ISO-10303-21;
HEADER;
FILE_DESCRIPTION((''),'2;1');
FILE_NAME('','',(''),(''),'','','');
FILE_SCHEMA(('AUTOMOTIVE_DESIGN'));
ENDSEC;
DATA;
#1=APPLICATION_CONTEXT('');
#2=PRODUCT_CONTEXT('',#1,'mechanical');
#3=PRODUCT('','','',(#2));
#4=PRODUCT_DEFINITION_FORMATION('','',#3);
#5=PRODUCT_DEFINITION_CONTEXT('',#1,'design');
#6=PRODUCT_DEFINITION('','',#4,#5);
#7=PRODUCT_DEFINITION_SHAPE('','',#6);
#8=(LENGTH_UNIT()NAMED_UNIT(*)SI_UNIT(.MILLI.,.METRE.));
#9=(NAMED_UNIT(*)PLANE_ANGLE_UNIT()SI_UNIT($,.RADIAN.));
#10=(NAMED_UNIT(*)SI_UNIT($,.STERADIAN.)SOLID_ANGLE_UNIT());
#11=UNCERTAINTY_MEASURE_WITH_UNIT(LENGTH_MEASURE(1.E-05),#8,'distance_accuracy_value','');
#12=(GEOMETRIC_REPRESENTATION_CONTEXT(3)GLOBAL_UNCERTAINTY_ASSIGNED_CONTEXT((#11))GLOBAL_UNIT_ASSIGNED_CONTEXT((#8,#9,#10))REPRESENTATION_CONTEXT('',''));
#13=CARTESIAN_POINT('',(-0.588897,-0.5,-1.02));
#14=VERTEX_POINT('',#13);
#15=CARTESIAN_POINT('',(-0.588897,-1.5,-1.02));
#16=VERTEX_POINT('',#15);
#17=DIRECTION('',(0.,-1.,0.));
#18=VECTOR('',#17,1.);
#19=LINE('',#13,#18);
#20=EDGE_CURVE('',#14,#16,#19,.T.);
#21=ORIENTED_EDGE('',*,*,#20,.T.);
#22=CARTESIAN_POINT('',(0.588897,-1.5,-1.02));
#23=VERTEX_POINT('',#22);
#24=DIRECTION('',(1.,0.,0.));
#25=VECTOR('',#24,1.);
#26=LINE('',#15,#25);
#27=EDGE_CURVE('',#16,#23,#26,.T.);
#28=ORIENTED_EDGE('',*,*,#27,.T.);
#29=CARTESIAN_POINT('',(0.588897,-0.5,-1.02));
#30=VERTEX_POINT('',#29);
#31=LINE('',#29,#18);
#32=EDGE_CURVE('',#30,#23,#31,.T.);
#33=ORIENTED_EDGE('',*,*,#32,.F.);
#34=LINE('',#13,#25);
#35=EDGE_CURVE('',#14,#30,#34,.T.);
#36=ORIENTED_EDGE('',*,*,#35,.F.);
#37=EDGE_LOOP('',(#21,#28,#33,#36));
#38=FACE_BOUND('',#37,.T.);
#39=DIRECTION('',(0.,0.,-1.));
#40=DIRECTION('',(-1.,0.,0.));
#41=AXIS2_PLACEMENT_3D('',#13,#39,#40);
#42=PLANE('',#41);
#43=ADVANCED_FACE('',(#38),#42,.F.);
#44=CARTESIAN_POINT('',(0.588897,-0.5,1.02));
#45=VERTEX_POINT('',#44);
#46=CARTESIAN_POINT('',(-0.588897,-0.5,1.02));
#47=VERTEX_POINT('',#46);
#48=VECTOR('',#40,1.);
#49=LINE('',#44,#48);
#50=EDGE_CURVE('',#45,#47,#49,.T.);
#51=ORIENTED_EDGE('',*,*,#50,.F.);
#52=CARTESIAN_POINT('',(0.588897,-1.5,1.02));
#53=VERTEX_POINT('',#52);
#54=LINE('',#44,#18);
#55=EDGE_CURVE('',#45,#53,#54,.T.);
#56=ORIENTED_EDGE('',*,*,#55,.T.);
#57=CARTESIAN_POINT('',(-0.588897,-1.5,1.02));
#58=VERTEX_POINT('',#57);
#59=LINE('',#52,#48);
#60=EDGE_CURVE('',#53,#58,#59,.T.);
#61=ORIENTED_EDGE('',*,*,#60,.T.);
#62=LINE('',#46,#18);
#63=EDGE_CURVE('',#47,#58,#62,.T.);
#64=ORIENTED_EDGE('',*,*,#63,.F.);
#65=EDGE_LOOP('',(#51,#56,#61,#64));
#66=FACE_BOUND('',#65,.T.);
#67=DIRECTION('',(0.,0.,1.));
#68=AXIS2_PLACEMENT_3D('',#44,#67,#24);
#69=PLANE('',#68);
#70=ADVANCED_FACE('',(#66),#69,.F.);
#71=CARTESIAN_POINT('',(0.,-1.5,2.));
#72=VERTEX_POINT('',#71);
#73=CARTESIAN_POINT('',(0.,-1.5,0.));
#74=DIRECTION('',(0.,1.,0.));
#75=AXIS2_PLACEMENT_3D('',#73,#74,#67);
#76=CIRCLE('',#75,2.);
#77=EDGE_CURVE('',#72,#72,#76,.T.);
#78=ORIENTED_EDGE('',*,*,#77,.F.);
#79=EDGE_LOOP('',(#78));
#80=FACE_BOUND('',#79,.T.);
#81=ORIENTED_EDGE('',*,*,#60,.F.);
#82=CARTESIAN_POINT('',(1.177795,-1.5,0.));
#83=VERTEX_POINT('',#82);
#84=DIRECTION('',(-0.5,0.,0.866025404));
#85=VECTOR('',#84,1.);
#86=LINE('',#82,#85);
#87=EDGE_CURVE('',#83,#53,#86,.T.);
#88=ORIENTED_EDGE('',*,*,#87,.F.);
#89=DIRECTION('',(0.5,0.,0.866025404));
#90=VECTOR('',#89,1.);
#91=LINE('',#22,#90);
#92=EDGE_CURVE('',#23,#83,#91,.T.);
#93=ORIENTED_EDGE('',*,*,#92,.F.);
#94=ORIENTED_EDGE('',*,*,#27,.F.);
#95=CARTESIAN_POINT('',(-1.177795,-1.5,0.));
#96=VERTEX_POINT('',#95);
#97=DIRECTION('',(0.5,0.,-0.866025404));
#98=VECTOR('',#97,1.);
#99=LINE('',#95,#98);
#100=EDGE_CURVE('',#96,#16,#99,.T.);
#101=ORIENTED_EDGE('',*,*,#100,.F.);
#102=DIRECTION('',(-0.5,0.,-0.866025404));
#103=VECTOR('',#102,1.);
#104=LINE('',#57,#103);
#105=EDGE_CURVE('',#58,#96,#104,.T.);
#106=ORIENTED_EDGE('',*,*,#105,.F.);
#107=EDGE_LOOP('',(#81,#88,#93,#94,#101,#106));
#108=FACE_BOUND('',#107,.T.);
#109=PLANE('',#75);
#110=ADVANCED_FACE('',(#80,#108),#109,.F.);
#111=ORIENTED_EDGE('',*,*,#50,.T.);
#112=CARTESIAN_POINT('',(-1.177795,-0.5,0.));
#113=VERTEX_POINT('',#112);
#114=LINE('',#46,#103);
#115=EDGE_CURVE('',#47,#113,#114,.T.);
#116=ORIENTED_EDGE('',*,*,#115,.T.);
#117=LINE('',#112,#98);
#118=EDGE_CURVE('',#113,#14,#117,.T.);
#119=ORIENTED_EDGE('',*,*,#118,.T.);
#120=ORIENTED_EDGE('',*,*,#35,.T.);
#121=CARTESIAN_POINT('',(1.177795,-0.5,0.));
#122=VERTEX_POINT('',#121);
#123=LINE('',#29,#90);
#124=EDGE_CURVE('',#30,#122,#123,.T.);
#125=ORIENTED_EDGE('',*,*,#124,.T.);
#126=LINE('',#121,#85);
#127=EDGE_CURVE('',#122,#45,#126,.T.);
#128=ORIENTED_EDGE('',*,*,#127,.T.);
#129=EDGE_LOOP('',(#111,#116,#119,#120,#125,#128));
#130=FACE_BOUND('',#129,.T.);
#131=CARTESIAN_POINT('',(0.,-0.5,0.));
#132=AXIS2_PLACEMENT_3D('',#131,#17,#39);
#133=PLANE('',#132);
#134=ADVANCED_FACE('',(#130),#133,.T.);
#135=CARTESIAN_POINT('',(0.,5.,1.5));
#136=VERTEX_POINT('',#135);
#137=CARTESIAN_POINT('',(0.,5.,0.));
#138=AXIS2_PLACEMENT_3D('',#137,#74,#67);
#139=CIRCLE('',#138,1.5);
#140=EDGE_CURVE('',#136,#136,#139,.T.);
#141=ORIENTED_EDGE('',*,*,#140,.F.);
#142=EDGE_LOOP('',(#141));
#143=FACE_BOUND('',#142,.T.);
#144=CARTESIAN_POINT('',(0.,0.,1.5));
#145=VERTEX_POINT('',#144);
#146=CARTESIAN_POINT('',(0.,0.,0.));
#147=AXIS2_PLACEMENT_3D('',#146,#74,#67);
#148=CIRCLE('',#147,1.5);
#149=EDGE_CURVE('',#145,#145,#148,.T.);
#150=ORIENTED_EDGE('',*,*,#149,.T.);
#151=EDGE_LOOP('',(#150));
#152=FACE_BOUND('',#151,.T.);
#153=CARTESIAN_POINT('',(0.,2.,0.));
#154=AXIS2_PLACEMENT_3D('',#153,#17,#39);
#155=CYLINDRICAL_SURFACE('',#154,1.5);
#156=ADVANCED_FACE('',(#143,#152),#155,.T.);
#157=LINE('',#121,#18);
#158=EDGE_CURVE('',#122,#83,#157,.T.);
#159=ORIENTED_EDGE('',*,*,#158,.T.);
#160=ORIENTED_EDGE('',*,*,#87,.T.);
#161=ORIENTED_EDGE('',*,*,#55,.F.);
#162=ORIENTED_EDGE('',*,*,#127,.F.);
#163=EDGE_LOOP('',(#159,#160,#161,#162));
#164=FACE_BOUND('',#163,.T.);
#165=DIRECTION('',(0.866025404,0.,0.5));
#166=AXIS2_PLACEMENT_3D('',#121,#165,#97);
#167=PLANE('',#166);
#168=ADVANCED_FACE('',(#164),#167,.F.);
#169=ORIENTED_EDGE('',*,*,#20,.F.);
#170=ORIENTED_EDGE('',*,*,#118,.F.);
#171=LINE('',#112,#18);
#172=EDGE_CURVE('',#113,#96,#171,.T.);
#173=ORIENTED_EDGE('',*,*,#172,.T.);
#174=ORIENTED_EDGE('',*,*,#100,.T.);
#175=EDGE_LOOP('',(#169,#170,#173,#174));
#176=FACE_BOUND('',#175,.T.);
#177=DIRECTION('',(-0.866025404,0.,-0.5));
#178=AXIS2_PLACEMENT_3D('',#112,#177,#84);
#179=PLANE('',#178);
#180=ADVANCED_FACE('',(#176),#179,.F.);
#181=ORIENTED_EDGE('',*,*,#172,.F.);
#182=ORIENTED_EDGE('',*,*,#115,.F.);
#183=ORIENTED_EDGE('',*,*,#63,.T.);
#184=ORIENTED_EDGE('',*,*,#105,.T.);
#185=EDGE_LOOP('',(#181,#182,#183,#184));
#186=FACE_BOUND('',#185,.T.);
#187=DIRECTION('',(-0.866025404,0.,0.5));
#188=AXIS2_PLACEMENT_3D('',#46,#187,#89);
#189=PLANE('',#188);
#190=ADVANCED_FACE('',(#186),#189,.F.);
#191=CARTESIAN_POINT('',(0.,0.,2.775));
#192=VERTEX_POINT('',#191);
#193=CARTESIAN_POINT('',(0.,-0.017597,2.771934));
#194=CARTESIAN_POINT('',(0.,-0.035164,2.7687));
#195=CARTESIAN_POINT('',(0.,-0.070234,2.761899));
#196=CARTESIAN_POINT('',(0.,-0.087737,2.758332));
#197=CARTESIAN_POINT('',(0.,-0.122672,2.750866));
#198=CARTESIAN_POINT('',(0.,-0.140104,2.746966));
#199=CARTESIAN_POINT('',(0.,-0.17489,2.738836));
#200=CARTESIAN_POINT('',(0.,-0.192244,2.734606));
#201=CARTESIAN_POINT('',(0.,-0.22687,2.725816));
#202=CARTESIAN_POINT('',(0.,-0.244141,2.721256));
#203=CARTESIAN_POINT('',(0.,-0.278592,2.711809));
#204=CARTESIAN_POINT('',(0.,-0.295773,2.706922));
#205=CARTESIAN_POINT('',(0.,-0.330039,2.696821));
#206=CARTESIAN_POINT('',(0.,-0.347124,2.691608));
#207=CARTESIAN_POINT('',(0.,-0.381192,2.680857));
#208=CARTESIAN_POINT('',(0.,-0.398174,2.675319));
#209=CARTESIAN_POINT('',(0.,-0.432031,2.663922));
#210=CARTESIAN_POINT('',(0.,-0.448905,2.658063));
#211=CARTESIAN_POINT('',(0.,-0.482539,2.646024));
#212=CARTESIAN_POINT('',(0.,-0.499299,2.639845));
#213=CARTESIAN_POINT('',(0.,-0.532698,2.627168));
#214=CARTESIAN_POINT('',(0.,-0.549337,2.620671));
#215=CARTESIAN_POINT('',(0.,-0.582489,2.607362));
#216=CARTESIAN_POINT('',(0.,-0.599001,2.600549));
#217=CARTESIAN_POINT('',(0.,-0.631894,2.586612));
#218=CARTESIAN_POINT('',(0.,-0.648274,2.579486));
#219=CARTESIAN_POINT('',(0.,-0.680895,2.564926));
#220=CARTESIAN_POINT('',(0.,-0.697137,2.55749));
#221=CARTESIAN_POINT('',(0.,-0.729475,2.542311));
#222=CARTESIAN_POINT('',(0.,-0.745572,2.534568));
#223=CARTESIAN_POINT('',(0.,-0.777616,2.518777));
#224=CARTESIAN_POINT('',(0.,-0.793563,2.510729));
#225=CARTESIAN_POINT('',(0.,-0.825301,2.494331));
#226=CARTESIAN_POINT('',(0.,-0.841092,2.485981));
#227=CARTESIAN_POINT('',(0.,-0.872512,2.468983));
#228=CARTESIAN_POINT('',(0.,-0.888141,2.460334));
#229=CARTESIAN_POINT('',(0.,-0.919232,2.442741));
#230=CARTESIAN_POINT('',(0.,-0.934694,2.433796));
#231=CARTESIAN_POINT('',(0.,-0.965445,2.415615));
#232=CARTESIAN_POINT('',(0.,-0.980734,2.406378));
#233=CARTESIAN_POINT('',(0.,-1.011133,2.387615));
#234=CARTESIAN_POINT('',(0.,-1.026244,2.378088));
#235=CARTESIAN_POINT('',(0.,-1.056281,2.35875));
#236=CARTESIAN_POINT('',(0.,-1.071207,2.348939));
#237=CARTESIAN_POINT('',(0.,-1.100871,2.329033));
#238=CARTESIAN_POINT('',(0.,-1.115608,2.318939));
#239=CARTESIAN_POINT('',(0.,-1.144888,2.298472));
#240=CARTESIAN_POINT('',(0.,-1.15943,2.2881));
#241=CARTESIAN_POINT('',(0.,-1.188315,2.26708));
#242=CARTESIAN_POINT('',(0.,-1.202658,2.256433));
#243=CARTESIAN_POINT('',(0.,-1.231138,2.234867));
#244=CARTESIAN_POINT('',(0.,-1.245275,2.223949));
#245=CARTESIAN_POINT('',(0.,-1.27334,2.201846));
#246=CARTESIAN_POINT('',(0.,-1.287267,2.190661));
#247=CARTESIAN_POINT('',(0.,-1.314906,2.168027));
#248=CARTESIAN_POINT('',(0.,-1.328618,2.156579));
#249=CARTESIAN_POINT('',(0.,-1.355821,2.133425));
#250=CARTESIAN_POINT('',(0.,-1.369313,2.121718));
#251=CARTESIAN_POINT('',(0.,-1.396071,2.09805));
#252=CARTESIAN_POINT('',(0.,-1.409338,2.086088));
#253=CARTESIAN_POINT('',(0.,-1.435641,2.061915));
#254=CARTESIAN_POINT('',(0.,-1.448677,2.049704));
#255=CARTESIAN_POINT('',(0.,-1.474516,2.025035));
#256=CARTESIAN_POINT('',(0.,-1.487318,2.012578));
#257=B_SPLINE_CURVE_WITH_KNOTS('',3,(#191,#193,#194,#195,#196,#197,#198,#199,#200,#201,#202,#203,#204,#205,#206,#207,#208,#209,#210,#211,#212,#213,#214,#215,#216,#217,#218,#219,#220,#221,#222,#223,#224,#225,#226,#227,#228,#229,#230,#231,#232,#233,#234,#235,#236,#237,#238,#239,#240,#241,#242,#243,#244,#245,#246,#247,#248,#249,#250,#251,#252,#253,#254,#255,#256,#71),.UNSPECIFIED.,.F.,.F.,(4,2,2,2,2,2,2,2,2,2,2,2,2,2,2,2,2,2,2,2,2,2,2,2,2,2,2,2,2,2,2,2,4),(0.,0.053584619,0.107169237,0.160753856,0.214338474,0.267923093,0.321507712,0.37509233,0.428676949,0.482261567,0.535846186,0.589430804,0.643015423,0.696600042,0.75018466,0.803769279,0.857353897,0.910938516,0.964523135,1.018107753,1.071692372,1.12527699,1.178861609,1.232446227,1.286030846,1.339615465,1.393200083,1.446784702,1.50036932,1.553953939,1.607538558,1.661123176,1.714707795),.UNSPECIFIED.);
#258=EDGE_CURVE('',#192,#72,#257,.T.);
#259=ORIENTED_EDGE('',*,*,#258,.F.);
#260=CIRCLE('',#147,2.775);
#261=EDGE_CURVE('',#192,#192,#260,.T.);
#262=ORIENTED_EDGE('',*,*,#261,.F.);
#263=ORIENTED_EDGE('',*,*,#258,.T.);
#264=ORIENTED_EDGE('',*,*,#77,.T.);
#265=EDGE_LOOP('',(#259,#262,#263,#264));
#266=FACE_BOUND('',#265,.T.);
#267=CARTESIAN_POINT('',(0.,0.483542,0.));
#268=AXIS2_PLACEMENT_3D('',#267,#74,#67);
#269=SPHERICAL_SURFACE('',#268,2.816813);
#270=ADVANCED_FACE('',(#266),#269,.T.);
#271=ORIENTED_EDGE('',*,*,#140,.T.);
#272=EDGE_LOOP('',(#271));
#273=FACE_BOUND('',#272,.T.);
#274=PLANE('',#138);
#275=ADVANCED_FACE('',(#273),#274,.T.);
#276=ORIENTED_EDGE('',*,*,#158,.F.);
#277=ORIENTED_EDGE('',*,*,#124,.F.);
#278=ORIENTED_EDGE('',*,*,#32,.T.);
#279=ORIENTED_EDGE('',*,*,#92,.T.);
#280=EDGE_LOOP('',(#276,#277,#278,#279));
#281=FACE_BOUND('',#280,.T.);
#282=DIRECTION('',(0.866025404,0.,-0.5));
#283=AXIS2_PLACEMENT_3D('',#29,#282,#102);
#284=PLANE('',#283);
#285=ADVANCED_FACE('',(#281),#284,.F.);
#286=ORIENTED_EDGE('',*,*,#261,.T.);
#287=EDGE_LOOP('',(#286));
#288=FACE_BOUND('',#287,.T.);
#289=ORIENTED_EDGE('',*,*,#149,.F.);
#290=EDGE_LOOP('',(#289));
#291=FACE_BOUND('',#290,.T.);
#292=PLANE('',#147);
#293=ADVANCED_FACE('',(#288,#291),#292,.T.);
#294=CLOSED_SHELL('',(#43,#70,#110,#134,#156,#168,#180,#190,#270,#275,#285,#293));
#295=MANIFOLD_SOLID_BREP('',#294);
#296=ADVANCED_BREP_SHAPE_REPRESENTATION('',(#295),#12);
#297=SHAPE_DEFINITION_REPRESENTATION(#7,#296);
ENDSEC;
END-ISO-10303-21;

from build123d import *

# Parameters (mm, degrees)
SKETCH_1_R          = 1.5
EXTRUDE_1_DEPTH     = 2
SKETCH_2_R          = 2.775
EXTRUDE_2_DEPTH     = 1.5
CUT_EXTRUDE_1_DEPTH = 1
SKETCH_1_8_R        = 1.5
EXTRUDE_5_DEPTH     = 5


with BuildPart() as part:
    # 草图1 → 拉伸1 (new body)
    with BuildSketch(Plane(origin=(0, 0, 0), x_dir=(1, 0, 0), z_dir=(0, 1, 0))):
        Circle(SKETCH_1_R)
    extrude(amount=EXTRUDE_1_DEPTH)

    # 草图2 → Extrude 2 (add)
    with BuildSketch(Plane(origin=(0, 0, 0), x_dir=(-1, 0, 0), z_dir=(0, 1, 0))):
        Circle(SKETCH_2_R)
    extrude(amount=-EXTRUDE_2_DEPTH)

    # 草图4 → 切除-旋转1 (revolve, cut)
    with BuildSketch(Plane(origin=(0, 0, 0), x_dir=(0, 0, -1), z_dir=(1, 0, 0))):
        with BuildLine():
            Line((-2.775, 0), (-2.775, -1.5))
            Line((-2.775, -1.5), (-2, -1.5))
            ThreePointArc((-2, -1.5), (-2.50252997, -0.809432151), (-2.775, 0))
        make_face()
    revolve(axis=Axis((0, 3.165730861, 0), (0, -1, 0)), mode=Mode.SUBTRACT)

    # 草图3 → 切除-拉伸1 (cut)
    with BuildSketch(Plane.XZ.offset(1.5)):
        Polygon((-1.177794549, 0), (-0.588897275, -1.02), (0.588897275, -1.02), (1.177794549, 0), (0.588897275, 1.02), (-0.588897275, 1.02), align=None)
    extrude(amount=-CUT_EXTRUDE_1_DEPTH, mode=Mode.SUBTRACT)

    # 草图1<8> → 凸台-拉伸5 (add)
    with BuildSketch(Plane(origin=(0, 0, 0), x_dir=(1, 0, 0), z_dir=(0, 1, 0))):
        Circle(SKETCH_1_8_R)
    extrude(amount=EXTRUDE_5_DEPTH)


solid = part.part
